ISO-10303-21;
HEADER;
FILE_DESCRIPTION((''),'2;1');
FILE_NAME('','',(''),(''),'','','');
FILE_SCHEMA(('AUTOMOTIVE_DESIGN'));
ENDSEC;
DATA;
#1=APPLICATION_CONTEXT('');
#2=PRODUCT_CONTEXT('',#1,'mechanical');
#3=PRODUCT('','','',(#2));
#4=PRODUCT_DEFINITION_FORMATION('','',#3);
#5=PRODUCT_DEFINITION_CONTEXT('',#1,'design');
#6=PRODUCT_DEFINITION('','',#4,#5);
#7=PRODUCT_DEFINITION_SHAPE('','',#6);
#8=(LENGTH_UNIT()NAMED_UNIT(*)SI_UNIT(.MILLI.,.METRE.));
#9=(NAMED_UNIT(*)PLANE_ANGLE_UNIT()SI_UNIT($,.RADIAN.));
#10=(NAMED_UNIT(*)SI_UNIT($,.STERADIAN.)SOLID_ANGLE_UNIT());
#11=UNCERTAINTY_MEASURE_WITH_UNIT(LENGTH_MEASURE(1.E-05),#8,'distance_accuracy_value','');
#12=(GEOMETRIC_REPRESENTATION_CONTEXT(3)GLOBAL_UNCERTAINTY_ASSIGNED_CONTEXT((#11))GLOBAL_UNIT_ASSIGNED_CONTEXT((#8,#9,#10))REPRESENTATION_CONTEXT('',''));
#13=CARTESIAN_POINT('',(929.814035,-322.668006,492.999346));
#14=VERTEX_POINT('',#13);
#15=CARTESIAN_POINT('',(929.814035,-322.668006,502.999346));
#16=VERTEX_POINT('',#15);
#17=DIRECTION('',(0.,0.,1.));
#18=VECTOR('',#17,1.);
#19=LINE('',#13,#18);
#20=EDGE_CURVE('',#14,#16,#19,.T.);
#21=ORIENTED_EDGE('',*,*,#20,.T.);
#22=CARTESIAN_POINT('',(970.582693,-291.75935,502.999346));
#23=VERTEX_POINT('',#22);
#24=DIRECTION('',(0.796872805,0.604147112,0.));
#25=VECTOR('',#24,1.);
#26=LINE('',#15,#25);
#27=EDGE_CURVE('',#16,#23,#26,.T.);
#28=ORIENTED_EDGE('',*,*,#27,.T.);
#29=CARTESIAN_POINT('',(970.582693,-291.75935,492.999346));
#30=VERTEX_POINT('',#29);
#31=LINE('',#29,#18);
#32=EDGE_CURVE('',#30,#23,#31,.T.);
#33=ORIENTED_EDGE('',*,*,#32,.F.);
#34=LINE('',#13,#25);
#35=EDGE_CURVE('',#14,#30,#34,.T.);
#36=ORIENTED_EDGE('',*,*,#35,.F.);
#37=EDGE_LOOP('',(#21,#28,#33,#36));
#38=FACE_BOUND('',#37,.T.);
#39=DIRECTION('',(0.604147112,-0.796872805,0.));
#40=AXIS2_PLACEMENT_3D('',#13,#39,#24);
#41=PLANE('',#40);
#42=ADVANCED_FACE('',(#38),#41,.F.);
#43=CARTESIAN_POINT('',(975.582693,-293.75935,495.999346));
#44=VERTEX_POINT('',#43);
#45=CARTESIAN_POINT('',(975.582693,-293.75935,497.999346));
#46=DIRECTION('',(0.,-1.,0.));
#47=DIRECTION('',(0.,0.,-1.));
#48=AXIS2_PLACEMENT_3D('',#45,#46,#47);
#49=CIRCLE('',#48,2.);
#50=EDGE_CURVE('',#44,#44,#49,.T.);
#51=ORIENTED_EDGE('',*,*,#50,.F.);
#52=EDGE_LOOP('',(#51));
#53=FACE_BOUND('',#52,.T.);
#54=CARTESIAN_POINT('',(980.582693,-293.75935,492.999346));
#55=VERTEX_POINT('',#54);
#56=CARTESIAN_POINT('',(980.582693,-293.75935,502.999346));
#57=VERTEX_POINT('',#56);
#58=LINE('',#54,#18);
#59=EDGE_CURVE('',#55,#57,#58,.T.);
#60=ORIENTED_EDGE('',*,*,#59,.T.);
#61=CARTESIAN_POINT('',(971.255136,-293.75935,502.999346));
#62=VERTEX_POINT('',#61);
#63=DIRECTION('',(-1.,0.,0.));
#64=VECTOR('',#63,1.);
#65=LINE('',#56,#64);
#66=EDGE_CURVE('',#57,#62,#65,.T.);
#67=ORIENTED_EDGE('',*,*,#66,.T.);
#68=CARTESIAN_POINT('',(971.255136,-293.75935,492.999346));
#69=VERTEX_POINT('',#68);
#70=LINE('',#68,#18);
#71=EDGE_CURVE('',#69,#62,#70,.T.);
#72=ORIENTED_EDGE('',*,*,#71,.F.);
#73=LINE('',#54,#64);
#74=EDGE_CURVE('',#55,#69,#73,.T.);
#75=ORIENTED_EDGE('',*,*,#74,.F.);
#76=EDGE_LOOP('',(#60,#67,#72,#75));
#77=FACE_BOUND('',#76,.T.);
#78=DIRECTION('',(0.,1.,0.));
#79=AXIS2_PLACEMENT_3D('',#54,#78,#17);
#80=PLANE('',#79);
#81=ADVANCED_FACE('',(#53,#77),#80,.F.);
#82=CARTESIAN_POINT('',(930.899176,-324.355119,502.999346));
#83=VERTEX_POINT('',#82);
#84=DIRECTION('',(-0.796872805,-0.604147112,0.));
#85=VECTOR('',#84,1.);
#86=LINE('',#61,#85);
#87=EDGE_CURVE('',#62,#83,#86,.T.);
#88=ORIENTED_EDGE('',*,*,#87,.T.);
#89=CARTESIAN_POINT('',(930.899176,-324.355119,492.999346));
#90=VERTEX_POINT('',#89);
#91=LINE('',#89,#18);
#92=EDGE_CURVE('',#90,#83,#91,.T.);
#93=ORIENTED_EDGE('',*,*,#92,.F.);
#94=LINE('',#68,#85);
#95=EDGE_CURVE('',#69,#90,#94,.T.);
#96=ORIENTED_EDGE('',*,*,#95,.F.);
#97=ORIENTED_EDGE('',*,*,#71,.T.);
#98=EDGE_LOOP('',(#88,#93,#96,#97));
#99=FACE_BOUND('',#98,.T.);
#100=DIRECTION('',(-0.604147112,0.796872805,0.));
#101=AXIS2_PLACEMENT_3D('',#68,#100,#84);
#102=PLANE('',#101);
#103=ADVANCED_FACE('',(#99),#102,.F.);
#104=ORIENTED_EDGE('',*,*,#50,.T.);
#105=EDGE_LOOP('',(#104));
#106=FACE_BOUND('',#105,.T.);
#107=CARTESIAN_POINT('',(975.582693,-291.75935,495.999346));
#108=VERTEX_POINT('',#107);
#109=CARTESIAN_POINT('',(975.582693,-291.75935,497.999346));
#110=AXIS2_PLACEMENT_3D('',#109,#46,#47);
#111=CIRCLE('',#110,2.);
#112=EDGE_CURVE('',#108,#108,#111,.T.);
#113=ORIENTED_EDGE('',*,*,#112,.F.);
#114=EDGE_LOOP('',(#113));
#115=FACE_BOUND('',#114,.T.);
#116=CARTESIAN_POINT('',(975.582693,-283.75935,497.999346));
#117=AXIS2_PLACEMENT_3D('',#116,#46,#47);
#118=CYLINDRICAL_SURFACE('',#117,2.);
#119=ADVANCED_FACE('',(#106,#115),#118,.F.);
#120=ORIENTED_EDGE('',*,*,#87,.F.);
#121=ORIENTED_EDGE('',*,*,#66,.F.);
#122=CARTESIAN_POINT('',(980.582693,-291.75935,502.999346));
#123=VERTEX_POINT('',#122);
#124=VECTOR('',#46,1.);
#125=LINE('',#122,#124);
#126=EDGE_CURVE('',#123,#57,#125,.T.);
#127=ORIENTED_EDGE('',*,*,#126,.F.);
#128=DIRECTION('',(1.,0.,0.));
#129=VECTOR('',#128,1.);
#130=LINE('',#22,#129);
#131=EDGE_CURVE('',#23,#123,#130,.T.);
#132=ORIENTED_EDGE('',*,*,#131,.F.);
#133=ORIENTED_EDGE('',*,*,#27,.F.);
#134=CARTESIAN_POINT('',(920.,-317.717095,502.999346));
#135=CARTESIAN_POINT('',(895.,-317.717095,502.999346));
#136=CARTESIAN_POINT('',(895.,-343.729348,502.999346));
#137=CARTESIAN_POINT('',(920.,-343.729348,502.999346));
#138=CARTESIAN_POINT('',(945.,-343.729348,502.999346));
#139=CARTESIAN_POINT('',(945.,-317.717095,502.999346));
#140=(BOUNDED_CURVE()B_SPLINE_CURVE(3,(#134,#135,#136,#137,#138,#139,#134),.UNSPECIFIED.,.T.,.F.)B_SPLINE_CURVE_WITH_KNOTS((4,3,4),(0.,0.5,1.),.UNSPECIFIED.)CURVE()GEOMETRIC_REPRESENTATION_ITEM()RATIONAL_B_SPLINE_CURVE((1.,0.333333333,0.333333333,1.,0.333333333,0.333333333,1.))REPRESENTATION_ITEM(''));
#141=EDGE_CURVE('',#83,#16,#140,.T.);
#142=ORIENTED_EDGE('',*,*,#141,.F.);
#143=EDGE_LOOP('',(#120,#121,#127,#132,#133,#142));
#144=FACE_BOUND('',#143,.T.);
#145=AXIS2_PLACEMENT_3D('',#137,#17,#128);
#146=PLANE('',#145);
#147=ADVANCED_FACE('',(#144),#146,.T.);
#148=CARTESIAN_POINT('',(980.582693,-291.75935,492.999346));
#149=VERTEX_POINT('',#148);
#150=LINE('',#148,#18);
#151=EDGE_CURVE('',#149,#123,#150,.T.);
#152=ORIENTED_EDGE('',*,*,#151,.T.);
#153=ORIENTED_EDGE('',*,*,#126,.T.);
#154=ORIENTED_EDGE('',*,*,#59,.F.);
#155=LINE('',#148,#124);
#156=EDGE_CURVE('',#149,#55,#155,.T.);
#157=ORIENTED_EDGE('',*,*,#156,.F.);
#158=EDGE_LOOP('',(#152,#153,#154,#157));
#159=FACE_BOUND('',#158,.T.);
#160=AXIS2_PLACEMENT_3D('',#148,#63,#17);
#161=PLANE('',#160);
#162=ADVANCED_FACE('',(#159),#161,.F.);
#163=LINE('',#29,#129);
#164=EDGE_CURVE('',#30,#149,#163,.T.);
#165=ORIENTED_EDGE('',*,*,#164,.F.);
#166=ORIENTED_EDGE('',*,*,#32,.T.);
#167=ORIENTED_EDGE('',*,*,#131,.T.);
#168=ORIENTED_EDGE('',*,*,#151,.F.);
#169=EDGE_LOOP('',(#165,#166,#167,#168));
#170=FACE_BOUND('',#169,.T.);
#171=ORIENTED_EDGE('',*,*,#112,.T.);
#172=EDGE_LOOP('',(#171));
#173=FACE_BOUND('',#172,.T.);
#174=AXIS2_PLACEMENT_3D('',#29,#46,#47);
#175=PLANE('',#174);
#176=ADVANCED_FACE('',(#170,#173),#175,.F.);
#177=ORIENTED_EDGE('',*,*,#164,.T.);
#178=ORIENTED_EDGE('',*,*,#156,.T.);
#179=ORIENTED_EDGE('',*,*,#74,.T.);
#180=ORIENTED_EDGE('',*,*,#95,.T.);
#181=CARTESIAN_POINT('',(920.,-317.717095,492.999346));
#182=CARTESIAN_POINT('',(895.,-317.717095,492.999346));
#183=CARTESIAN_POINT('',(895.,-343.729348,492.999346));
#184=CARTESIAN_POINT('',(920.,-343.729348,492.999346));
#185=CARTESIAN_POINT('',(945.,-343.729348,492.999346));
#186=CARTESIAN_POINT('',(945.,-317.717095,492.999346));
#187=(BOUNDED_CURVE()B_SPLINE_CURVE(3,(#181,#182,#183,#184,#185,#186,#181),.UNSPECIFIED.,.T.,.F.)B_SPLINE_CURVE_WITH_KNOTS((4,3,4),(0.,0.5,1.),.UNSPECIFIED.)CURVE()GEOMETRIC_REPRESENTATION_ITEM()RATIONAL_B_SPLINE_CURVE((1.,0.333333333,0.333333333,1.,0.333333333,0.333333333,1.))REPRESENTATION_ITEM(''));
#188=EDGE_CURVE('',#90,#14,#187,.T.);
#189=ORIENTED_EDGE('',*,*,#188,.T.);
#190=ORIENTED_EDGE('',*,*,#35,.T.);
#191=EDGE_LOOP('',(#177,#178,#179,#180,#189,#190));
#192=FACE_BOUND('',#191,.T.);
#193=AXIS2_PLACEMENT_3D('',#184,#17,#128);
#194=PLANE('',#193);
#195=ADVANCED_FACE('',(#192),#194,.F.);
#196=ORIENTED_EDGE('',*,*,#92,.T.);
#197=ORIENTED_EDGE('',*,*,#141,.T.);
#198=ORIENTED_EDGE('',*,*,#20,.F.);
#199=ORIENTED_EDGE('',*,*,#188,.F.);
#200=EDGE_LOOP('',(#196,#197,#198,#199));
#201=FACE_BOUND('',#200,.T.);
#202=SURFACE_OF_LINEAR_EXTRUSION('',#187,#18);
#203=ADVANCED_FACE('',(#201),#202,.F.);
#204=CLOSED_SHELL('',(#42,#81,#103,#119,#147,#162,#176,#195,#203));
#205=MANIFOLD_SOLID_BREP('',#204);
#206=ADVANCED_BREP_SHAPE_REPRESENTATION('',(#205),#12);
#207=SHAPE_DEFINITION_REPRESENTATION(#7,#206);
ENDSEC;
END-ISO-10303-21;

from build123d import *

# Parameters (mm, degrees)
DODANIE_WYCI_GNI_CIE1_DEPTH = 10
SZKIC2_R                    = 2
WYTNIJ_WYCI_GNI_CIE1_DEPTH  = 10


with BuildPart() as part:
    # Szkic1 → Dodanie-wyciągnięcie1 (new body)
    with BuildSketch(Plane(origin=(0, 0, 502.999346089), x_dir=(-1, 0, 0), z_dir=(0, 0, -1))):
        with BuildLine():
            Line((-929.814034739, -322.668005597), (-970.58269303, -291.759349877))
            Line((-970.58269303, -291.759349877), (-980.58269303, -291.759349877))
            Line((-980.58269303, -291.759349877), (-980.58269303, -293.759349877))
            Line((-980.58269303, -293.759349877), (-971.255135855, -293.759349877))
            Line((-971.255135855, -293.759349877), (-930.899175905, -324.355119388))
            add(Edge.make_bspline(
                [(-929.814034739, -322.668005597), (-930.214433706, -323.196133667), (-930.577577349, -323.759219062), (-930.899175905, -324.355119388)],
                knots=[0.163263648, 0.163263648, 0.163263648, 0.163263648, 0.18460997, 0.18460997, 0.18460997, 0.18460997], degree=3, weights=[0.560185558, 0.55031088, 0.54165131, 0.534206848]))
        make_face()
    extrude(amount=DODANIE_WYCI_GNI_CIE1_DEPTH)

    # Szkic2 → Wytnij-wyciągnięcie1 (cut)
    with BuildSketch(Plane(origin=(0, -293.759349877, 0), x_dir=(-1, 0, 0), z_dir=(0, -1, 0))):
        with Locations((-975.58269303, -497.999346089)):
            Circle(SZKIC2_R)
    extrude(amount=-WYTNIJ_WYCI_GNI_CIE1_DEPTH, mode=Mode.SUBTRACT)


solid = part.part
